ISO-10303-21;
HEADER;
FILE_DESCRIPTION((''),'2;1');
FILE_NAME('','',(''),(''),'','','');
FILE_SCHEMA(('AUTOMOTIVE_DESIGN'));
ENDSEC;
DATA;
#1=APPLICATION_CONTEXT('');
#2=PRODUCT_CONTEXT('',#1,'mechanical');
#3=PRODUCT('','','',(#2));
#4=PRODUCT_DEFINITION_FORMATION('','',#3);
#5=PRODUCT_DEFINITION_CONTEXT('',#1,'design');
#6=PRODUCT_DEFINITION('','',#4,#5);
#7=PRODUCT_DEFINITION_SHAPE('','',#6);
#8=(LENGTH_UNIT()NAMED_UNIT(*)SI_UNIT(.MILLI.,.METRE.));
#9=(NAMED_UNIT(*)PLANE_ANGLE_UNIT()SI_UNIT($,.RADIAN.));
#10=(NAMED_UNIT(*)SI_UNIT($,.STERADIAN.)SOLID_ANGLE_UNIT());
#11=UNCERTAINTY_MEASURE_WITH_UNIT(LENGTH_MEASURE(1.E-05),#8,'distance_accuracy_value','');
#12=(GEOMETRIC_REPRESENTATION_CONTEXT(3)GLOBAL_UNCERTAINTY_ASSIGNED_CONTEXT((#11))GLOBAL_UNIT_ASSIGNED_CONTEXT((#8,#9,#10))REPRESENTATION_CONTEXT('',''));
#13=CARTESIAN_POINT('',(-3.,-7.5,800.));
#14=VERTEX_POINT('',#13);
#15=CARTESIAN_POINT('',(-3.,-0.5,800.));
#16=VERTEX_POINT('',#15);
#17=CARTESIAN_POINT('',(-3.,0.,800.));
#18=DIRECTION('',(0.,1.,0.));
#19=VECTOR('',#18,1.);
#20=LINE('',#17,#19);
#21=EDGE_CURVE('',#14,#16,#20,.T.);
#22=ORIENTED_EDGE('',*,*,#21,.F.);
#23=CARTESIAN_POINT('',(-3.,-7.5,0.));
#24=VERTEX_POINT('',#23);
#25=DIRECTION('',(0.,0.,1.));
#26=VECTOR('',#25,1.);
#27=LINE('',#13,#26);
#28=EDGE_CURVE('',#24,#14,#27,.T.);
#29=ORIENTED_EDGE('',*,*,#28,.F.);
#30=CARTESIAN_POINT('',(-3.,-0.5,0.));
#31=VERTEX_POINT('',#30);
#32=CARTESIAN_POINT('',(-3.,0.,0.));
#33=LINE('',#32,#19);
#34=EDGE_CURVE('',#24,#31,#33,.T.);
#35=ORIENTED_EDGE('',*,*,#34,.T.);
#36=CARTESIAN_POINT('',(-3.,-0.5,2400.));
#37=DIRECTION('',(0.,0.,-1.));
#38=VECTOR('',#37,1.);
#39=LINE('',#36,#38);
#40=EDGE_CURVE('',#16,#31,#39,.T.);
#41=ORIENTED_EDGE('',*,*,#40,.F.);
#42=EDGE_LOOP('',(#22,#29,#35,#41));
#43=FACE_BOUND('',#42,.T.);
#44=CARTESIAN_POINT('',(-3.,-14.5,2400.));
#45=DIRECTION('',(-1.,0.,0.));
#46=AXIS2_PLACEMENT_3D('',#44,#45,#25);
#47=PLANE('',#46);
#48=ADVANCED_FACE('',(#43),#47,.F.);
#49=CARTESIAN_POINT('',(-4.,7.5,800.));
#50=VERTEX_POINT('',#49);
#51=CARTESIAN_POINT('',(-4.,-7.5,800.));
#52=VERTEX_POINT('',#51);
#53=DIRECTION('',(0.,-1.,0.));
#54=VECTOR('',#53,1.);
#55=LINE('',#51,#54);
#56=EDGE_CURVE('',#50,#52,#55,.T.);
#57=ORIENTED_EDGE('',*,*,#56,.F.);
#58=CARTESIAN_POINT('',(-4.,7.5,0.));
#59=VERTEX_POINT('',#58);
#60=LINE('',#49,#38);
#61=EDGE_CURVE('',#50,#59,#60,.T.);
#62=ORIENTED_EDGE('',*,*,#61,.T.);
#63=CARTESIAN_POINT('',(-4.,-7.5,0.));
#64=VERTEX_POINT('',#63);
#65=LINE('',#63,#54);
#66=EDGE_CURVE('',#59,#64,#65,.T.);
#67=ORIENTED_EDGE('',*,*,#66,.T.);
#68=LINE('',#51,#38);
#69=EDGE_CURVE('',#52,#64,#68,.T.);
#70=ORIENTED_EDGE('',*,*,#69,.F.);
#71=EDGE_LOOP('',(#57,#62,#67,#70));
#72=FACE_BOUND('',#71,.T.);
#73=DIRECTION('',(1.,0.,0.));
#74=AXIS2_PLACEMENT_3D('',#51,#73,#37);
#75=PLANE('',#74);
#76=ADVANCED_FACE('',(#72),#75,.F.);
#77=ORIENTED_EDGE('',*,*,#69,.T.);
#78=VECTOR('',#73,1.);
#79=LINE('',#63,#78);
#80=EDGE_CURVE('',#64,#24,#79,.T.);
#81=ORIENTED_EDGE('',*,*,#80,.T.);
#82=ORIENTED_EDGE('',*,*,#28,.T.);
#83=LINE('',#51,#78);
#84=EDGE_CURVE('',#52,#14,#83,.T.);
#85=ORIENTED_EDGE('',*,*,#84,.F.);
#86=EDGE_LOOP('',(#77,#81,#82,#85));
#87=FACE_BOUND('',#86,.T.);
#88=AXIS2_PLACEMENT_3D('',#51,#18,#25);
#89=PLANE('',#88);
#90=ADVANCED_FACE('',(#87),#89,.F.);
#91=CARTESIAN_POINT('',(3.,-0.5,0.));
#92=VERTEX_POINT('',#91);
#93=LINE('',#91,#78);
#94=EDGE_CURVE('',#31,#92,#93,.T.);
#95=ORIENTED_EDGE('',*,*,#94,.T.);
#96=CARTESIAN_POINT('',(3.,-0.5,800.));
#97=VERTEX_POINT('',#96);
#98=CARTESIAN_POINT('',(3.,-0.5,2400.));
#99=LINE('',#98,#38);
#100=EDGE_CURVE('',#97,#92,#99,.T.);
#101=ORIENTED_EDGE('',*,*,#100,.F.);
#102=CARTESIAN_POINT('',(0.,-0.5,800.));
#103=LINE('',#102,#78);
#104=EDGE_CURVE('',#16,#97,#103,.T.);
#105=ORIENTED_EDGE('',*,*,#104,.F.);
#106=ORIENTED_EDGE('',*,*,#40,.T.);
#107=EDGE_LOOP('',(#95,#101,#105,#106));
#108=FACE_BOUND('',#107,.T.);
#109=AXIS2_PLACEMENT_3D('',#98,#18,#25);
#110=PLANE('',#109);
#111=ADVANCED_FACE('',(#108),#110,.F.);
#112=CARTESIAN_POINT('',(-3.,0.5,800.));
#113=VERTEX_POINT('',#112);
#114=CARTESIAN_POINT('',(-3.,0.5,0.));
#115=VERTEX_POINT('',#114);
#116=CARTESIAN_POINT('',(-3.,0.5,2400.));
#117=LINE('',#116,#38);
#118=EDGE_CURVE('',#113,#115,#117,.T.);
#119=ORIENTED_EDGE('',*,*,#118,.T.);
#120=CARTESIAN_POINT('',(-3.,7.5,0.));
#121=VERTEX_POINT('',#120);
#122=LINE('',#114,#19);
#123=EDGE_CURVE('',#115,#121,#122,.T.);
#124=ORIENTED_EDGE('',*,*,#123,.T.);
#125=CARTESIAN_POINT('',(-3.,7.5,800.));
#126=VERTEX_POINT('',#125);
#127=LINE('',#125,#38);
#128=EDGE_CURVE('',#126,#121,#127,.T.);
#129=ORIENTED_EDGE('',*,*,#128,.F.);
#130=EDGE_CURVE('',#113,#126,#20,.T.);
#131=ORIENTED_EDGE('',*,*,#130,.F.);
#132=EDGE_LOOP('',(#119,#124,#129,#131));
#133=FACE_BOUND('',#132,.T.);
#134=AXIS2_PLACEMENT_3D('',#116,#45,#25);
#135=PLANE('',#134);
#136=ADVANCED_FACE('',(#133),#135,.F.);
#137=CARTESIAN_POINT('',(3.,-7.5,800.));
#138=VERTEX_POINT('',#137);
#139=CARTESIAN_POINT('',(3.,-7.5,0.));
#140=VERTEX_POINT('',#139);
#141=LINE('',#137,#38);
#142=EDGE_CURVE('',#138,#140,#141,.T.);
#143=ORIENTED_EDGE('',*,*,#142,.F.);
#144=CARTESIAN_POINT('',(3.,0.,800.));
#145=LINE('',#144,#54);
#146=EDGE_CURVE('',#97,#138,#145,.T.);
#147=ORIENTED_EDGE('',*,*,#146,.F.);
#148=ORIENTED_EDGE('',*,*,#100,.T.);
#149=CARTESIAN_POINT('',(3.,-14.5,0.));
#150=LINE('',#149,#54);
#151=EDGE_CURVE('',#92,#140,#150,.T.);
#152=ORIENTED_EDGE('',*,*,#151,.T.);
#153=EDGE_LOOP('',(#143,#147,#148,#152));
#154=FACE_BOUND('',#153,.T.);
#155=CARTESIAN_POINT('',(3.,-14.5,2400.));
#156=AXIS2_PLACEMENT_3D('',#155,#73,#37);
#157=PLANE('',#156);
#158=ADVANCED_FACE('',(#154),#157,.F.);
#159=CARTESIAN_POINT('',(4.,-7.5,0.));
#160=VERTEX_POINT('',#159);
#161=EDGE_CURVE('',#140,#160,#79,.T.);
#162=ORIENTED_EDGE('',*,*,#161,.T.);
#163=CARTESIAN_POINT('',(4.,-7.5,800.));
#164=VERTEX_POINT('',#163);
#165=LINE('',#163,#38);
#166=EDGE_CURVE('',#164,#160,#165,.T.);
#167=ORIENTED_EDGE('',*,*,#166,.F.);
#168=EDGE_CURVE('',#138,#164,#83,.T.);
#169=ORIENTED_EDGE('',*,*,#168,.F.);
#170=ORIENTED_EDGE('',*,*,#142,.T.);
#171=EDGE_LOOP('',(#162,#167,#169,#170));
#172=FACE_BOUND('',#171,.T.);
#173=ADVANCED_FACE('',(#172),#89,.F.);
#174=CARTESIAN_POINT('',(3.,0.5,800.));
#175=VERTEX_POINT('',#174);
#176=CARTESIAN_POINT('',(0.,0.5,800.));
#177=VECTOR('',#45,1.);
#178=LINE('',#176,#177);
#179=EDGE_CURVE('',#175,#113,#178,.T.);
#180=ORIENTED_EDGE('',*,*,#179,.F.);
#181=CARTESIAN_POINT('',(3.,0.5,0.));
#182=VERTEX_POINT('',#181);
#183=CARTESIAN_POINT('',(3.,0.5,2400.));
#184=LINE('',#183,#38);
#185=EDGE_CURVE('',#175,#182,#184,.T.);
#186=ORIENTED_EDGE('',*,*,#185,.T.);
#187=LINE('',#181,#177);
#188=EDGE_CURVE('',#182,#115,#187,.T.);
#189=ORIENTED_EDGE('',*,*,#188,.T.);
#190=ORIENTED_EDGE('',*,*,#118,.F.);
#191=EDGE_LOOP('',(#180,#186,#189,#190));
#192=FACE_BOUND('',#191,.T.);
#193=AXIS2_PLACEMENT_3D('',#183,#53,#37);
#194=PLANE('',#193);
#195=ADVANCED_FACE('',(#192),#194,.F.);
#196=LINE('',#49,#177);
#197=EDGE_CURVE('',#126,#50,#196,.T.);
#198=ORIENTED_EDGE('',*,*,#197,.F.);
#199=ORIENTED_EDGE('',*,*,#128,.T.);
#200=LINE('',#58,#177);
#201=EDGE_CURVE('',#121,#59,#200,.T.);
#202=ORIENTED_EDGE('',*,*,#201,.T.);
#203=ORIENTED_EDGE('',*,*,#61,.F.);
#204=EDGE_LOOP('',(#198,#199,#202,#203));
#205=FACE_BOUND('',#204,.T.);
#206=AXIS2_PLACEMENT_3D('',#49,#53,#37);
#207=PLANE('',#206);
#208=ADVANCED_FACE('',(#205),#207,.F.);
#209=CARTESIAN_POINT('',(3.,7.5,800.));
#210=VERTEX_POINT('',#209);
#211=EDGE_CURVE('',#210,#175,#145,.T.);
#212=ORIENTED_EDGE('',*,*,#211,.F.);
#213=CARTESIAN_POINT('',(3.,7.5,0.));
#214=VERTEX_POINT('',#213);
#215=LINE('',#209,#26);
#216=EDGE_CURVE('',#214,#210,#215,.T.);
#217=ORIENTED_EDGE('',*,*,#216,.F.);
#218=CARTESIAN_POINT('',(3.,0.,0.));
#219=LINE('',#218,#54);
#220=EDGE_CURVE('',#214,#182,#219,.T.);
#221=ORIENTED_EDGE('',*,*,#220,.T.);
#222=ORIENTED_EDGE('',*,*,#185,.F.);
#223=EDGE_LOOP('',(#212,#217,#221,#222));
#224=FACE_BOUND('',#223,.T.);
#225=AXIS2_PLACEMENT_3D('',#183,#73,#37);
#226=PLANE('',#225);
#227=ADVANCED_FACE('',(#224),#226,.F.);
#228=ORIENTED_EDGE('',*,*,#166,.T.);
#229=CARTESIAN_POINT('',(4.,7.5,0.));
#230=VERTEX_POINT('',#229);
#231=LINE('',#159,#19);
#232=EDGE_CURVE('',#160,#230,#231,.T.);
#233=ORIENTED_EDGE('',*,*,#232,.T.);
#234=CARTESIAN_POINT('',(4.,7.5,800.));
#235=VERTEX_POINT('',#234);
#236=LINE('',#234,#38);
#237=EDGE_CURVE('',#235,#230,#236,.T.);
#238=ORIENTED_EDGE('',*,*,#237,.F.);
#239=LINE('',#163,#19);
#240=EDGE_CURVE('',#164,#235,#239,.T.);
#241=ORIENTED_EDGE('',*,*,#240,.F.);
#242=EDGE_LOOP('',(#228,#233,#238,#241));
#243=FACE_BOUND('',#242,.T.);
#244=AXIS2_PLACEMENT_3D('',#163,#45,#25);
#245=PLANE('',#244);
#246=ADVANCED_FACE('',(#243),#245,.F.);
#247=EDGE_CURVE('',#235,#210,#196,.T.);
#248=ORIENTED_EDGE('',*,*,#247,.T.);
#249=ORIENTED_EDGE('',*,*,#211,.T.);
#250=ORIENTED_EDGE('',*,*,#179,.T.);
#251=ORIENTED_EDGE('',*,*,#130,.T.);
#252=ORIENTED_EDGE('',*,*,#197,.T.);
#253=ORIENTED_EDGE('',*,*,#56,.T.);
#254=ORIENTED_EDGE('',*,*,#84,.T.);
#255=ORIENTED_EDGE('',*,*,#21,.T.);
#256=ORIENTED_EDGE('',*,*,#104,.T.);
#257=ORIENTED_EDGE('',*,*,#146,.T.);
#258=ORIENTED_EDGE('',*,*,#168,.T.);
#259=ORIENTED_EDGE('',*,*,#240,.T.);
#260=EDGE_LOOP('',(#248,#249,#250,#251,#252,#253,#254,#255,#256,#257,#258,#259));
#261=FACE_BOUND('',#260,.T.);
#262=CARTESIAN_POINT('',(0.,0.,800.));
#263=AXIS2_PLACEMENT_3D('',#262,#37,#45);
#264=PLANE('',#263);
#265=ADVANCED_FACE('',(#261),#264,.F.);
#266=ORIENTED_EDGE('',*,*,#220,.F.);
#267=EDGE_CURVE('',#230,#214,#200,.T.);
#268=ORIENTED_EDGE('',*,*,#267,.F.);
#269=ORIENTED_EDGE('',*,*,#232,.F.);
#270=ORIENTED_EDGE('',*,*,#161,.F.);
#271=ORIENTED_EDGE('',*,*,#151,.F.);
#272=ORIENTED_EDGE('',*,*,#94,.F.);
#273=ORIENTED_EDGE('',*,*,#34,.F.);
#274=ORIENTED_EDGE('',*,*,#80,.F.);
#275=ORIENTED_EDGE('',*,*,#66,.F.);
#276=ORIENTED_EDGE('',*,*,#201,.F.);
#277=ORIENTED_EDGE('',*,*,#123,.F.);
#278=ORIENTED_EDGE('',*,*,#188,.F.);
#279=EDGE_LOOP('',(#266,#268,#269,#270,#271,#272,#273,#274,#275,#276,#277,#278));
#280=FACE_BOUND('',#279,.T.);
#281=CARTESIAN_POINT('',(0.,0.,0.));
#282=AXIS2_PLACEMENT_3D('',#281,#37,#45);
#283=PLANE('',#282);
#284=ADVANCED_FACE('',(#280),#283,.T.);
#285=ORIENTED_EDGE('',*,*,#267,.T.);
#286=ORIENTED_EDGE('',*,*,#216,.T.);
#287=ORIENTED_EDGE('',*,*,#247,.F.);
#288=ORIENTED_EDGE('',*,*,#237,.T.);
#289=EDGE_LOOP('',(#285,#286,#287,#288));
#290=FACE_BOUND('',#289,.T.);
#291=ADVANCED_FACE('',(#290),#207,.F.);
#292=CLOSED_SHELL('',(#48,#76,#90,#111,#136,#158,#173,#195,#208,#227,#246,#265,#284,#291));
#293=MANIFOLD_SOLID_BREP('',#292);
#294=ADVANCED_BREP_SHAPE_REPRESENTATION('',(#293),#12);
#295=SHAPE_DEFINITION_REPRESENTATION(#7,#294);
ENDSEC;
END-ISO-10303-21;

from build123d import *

# Parameters (mm, degrees)
SKETCH_1_W          = 8
SKETCH_1_H          = 15
EXTRUDE_1_DEPTH     = 800
SKETCH_2_W          = 6
SKETCH_2_H          = 14
CUT_EXTRUDE_1_DEPTH = 2400


with BuildPart() as part:
    # 草图1 → 凸台-拉伸1 (new body)
    with BuildSketch(Plane.XY):
        Rectangle(SKETCH_1_W, SKETCH_1_H)
    extrude(amount=EXTRUDE_1_DEPTH)

    # 草图2 → 切除-拉伸1 (cut)
    with BuildSketch(Plane(origin=(0, 0, 0), x_dir=(-1, 0, 0), z_dir=(0, 0, -1))):
        with Locations((0, -7.5)):
            Rectangle(SKETCH_2_W, SKETCH_2_H)
        with Locations((0, 7.5)):
            Rectangle(SKETCH_2_W, SKETCH_2_H)
    extrude(amount=-CUT_EXTRUDE_1_DEPTH, mode=Mode.SUBTRACT)


solid = part.part
